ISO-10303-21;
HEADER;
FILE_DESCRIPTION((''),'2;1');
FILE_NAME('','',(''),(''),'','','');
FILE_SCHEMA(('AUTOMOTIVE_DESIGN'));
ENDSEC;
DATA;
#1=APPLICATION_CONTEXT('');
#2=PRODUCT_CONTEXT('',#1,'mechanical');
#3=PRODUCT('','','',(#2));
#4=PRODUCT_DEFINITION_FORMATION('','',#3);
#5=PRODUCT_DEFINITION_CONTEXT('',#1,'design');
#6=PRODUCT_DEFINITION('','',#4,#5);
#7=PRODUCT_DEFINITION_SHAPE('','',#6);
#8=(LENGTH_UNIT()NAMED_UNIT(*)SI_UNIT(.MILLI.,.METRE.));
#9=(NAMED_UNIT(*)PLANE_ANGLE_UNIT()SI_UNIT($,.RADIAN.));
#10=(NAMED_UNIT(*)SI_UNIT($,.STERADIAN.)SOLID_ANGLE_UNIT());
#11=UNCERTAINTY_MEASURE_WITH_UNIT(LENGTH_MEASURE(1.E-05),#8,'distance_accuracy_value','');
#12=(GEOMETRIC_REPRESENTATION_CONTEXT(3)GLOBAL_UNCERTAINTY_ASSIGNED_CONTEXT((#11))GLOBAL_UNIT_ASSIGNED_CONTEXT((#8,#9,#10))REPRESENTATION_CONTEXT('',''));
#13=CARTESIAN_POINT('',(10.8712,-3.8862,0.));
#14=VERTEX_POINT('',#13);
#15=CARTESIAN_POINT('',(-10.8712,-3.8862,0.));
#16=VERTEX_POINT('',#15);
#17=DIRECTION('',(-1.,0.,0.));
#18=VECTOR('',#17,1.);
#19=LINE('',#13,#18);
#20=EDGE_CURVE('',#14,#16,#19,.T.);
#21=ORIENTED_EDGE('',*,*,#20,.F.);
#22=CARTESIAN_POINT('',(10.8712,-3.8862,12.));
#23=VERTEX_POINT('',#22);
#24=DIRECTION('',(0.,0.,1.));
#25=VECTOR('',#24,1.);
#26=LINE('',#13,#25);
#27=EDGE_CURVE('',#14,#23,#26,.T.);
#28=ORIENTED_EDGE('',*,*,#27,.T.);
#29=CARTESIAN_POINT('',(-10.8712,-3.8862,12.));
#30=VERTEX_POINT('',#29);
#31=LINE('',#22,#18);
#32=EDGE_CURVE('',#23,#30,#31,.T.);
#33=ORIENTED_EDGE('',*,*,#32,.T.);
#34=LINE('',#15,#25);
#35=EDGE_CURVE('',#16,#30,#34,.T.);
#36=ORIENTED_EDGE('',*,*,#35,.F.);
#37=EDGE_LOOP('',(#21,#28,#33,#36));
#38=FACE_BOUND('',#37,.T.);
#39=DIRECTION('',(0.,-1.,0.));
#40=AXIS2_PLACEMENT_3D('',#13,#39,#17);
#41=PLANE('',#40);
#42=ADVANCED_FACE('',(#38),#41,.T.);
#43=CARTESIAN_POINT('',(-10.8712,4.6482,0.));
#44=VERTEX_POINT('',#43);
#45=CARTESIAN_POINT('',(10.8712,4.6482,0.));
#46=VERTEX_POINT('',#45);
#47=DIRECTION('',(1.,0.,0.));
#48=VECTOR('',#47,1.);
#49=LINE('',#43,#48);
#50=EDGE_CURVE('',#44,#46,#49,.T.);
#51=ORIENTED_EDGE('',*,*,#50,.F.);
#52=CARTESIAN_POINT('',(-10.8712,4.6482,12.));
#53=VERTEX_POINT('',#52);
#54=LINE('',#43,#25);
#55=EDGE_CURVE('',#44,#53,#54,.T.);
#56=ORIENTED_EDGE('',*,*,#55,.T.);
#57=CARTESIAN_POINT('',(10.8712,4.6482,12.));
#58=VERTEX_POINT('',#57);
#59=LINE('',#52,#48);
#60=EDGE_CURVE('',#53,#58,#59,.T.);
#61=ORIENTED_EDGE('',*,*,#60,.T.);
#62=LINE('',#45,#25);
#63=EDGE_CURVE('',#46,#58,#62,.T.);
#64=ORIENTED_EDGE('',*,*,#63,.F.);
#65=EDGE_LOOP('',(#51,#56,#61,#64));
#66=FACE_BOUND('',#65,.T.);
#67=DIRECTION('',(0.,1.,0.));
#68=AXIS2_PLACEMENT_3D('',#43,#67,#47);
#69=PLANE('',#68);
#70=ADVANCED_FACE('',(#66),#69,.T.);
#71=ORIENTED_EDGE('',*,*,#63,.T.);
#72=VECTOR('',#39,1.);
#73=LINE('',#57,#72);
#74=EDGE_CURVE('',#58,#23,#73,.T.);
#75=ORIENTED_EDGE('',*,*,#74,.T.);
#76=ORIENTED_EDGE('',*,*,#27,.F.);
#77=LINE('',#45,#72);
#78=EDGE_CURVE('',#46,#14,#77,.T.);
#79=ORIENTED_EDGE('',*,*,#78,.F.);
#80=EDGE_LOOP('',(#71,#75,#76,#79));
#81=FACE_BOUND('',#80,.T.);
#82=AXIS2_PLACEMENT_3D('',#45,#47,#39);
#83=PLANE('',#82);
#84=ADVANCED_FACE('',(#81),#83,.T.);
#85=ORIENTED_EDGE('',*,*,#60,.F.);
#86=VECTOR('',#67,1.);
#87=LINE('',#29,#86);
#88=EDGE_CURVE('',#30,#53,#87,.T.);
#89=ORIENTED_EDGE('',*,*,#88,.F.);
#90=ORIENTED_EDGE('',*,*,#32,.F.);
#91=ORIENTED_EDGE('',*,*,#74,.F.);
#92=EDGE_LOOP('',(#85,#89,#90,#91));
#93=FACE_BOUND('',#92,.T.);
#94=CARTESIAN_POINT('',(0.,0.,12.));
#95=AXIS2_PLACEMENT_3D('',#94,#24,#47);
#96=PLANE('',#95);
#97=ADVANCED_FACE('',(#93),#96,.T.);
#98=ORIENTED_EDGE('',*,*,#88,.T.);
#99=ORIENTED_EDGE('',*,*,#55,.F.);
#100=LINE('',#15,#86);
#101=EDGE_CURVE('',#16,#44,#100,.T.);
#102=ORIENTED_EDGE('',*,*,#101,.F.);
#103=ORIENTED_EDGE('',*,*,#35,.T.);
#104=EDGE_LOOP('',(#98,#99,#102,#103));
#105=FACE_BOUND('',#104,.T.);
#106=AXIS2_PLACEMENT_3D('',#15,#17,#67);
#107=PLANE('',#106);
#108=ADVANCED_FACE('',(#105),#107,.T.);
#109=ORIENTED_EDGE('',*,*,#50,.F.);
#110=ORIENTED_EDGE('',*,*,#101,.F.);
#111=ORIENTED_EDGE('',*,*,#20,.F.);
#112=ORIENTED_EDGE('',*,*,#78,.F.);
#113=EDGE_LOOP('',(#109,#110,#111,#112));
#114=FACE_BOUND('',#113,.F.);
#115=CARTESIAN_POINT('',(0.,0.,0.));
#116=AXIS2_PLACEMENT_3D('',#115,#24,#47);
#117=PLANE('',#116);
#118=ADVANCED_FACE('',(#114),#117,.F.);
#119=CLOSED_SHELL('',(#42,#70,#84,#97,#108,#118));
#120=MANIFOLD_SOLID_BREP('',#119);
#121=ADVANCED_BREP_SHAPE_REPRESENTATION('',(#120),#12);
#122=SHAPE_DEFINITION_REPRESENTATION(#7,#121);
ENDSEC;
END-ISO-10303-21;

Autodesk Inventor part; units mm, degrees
ref_plane "YZ Plane" through (0, 0, 0) normal (1, 0, 0) x (0, 1, 0)
ref_plane "XZ Plane" through (0, 0, 0) normal (0, 1, 0) x (-1, 0, 0)
ref_plane "XY Plane" through (0, 0, 0) normal (0, 0, 1) x (1, 0, 0)
sketch "MSTBV4-ThinSilk, 0395311004_357" plane through (0, 0, 0) normal (0, 0, 1) x (1, 0, 0)
  line L0 (-10.8712, 4.6482) -> (10.8712, 4.6482)
  line L1 (10.8712, 4.6482) -> (10.8712, -3.8862)
  line L2 (10.8712, -3.8862) -> (-10.8712, -3.8862)
  line L3 (-10.8712, -3.8862) -> (-10.8712, 4.6482)
extrude "Extrusion1" add sketch "MSTBV4-ThinSilk, 0395311004_357" along normal blind 12
properties part number "0395311004"
